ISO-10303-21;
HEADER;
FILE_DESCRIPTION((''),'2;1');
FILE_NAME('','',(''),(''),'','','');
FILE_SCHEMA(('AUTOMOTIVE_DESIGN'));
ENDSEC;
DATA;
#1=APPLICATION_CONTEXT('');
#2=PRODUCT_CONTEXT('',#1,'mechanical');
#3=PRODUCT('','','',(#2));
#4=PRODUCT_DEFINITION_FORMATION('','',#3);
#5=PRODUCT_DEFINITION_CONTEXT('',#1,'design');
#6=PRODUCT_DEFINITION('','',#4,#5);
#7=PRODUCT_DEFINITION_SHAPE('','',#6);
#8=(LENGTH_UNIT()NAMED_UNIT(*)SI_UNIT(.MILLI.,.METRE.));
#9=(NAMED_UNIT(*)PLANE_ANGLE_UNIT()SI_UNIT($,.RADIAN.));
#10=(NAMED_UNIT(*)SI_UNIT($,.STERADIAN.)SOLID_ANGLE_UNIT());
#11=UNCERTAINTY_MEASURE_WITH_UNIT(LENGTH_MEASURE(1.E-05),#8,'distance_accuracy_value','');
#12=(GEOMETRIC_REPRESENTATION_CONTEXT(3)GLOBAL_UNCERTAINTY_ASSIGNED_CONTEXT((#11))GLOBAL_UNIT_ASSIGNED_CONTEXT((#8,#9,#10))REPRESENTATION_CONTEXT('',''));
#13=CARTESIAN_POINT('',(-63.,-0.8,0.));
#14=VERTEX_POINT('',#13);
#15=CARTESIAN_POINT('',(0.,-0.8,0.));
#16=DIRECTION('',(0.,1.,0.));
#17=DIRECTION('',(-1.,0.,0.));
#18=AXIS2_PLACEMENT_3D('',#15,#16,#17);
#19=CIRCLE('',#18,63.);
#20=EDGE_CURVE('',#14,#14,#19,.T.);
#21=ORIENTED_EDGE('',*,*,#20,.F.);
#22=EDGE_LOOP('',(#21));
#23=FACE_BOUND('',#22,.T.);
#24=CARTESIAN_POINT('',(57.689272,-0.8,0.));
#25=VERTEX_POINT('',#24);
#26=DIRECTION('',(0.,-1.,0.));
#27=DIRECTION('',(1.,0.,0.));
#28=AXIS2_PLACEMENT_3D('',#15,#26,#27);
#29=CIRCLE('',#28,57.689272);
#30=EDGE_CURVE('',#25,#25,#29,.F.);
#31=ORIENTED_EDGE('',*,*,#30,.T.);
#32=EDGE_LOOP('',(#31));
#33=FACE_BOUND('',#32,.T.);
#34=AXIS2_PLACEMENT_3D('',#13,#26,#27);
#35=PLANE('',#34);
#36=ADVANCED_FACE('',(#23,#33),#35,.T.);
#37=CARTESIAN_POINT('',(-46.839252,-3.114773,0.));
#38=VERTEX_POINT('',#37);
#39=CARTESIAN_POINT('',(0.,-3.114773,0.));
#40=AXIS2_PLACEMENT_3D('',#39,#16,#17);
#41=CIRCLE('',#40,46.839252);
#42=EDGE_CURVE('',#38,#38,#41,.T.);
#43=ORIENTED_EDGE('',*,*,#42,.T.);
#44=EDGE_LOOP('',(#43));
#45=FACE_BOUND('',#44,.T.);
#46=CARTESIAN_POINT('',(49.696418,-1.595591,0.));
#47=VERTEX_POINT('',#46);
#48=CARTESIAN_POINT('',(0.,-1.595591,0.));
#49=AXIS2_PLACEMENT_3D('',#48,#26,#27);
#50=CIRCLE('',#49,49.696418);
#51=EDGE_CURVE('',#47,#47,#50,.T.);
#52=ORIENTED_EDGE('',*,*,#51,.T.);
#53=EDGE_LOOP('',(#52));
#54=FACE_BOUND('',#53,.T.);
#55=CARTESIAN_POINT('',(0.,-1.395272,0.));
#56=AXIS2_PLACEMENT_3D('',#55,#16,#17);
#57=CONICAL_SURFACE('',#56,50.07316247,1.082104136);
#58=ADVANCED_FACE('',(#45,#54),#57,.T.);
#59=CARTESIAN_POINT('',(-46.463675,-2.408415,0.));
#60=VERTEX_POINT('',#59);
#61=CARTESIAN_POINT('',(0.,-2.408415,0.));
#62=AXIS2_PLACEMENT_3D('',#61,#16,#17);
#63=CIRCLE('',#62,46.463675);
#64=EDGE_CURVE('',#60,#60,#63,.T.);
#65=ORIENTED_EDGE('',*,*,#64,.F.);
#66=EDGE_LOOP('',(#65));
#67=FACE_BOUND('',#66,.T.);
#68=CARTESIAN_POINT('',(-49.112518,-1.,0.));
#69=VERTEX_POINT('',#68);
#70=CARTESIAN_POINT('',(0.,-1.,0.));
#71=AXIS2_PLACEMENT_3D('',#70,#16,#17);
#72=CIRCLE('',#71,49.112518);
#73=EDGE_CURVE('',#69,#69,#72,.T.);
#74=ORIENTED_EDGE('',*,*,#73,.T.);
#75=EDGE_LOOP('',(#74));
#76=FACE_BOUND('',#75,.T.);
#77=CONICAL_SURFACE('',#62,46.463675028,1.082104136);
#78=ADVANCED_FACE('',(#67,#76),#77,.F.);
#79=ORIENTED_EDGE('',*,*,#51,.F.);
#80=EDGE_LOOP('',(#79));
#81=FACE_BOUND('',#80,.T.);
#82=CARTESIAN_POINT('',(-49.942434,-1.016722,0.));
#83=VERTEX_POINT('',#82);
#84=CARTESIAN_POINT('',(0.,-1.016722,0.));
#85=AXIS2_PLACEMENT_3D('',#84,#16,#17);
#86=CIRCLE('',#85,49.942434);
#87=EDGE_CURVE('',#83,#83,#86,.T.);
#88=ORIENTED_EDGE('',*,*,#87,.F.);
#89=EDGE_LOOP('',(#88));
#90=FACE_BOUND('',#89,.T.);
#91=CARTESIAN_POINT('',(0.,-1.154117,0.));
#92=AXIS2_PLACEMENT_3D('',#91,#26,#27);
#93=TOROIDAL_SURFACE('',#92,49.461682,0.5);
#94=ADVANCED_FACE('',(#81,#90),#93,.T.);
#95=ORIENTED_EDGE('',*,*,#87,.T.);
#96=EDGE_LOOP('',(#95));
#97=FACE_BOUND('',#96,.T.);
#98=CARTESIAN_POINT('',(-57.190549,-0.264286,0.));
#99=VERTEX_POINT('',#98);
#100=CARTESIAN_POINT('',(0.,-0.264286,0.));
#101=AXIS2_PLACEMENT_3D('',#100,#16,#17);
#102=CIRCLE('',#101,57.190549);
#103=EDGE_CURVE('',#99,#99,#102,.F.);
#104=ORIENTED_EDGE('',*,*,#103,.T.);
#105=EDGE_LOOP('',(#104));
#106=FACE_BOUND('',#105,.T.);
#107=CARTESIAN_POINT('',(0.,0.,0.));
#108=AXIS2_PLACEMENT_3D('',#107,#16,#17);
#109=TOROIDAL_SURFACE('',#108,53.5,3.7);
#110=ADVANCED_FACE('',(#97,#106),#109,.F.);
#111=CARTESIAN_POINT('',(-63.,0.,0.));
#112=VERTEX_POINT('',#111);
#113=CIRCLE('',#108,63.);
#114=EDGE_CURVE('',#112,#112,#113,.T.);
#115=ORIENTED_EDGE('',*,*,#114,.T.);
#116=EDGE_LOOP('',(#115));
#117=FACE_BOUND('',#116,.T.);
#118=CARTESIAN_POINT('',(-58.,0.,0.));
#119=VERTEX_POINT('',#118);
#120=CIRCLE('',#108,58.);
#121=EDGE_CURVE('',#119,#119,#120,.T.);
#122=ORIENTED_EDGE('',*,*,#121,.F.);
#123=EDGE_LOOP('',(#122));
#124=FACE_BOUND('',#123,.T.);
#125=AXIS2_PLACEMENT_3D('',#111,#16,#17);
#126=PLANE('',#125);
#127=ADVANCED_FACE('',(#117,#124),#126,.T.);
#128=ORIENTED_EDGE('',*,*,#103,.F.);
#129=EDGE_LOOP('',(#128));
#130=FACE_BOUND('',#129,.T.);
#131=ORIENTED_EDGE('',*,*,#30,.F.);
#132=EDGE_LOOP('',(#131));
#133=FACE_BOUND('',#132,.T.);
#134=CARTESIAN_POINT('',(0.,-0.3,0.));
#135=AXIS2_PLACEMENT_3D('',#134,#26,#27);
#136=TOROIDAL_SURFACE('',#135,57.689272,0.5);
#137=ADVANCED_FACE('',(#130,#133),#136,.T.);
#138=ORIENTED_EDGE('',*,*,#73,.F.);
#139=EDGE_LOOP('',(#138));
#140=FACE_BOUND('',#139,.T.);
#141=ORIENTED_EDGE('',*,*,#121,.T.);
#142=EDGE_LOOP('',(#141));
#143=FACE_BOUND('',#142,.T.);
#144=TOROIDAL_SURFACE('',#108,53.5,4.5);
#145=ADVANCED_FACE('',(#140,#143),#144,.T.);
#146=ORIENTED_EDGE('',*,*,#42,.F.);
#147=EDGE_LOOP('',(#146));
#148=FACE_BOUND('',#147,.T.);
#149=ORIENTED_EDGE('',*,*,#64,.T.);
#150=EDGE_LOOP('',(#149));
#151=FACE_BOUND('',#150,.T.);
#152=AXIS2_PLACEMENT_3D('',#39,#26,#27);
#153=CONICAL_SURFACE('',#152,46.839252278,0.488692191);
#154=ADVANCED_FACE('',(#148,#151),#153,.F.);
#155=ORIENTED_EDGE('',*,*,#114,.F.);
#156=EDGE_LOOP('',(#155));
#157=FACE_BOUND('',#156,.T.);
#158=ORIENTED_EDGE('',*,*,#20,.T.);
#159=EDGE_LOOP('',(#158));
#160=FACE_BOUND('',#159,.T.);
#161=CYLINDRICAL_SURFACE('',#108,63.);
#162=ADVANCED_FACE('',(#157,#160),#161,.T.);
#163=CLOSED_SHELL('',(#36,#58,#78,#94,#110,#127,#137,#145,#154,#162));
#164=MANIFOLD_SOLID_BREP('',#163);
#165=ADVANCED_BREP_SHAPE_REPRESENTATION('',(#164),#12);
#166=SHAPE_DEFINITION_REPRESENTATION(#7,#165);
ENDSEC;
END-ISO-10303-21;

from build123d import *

# Parameters (mm, degrees)
FILLET_1_R = 0.5


with BuildPart() as part:
    # Эскиз1 → Повернуть1 (revolve)
    with BuildSketch(Plane.XY):
        with BuildLine():
            Line((-63, 0), (-58, 0))
            ThreePointArc((-58, 0), (-52.996844891, 4.471782076), (-49.112517806, -1))
            Line((-49.112517806, -1), (-46.463675028, -2.408414688))
            Line((-46.463675028, -2.408414688), (-46.839252278, -3.114772763))
            Line((-46.839252278, -3.114772763), (-50.07316247, -1.395272212))
            ThreePointArc((-50.07316247, -1.395272212), (-53.188226232, 3.686841076), (-57.112478374, -0.8))
            Line((-57.112478374, -0.8), (-63, -0.8))
            Line((-63, -0.8), (-63, 0))
        make_face()
    revolve(axis=Axis((0, 0, 0), (0, -1, 0)))

    # Скругление1
    fillet_1_edges = [part.edges().sort_by_distance(p)[0] for p in [
        (57.112478374, -0.8, 0),
        (50.07316247, -1.395272212, 0),
    ]]
    fillet(fillet_1_edges, radius=FILLET_1_R)


solid = part.part
